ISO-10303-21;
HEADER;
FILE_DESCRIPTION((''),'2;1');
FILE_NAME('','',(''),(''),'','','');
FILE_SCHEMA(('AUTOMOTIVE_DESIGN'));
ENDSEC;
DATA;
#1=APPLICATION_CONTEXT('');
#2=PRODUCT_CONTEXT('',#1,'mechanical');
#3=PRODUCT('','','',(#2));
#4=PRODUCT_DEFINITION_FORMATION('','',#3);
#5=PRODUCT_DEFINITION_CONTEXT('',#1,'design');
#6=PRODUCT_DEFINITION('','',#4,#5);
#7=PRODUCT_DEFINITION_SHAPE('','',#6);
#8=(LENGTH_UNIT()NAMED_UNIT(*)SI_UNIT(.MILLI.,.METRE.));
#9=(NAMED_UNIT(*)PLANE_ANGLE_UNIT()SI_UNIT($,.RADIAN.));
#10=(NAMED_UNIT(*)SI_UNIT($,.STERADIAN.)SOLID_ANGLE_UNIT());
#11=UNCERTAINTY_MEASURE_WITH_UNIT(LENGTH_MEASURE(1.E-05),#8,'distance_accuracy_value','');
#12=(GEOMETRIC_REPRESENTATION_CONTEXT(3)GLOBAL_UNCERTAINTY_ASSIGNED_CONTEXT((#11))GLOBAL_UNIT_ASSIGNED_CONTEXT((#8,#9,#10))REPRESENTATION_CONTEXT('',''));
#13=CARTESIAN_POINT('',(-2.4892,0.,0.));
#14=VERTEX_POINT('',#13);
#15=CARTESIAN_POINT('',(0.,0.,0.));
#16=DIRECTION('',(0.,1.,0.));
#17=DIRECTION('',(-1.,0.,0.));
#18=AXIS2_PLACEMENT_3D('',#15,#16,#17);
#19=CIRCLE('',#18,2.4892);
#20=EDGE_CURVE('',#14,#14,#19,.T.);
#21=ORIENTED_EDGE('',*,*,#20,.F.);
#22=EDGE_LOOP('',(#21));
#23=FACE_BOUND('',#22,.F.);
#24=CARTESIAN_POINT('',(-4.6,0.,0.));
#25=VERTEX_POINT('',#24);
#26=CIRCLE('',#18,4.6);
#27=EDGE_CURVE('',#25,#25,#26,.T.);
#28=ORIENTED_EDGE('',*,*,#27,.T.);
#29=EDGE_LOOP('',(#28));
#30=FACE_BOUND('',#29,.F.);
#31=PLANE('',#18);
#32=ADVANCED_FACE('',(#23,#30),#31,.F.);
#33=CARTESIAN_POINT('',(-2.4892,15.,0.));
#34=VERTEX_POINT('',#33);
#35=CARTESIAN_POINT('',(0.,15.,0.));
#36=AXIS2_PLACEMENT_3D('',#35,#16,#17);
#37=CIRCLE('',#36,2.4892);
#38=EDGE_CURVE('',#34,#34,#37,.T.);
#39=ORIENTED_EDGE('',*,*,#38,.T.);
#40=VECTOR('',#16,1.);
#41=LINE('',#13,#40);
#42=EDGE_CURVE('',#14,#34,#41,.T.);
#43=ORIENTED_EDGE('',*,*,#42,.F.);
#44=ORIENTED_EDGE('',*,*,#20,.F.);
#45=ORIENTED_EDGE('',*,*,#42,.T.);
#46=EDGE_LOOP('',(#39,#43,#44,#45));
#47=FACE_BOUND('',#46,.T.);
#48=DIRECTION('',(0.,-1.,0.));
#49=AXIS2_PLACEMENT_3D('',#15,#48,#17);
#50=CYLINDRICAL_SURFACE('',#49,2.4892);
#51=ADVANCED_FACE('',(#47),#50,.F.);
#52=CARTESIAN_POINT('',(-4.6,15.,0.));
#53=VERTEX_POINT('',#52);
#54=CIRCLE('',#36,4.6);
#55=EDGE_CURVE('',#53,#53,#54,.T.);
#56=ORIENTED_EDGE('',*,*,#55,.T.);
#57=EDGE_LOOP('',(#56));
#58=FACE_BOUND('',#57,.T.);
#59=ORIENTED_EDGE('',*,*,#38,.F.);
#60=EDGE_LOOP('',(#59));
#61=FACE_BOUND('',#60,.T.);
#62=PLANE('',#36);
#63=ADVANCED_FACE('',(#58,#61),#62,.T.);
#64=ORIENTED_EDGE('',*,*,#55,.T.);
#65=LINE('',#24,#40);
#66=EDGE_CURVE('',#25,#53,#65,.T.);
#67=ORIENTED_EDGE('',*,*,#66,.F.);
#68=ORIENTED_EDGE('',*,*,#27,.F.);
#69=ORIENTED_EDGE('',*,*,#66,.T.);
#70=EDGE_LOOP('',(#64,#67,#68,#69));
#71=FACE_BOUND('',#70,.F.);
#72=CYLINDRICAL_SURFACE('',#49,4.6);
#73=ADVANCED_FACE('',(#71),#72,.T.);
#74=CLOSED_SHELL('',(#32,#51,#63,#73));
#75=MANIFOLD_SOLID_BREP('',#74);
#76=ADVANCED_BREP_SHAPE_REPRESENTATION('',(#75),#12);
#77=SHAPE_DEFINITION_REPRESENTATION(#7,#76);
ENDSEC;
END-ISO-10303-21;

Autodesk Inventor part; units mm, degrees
ref_plane "YZ Plane" through (0, 0, 0) normal (1, 0, 0) x (0, 1, 0)
ref_plane "XZ Plane" through (0, 0, 0) normal (0, 1, 0) x (-1, 0, 0)
ref_plane "XY Plane" through (0, 0, 0) normal (0, 0, 1) x (1, 0, 0)
sketch "Sketch1" plane through (0, 0, 0) normal (0, 1, 0) x (-1, 0, 0)
  circle A0 centre (0, 0) radius 4.6
  circle A1 centre (0, 0) radius 2.4892
  dimension "d0" = 9.2
  dimension "d3" = 4.9784
extrude "Extrusion1" add sketch "Sketch1" along normal blind 15
properties part number "CORL_016_MicroStandoff2" material "Aluminum 6061"
